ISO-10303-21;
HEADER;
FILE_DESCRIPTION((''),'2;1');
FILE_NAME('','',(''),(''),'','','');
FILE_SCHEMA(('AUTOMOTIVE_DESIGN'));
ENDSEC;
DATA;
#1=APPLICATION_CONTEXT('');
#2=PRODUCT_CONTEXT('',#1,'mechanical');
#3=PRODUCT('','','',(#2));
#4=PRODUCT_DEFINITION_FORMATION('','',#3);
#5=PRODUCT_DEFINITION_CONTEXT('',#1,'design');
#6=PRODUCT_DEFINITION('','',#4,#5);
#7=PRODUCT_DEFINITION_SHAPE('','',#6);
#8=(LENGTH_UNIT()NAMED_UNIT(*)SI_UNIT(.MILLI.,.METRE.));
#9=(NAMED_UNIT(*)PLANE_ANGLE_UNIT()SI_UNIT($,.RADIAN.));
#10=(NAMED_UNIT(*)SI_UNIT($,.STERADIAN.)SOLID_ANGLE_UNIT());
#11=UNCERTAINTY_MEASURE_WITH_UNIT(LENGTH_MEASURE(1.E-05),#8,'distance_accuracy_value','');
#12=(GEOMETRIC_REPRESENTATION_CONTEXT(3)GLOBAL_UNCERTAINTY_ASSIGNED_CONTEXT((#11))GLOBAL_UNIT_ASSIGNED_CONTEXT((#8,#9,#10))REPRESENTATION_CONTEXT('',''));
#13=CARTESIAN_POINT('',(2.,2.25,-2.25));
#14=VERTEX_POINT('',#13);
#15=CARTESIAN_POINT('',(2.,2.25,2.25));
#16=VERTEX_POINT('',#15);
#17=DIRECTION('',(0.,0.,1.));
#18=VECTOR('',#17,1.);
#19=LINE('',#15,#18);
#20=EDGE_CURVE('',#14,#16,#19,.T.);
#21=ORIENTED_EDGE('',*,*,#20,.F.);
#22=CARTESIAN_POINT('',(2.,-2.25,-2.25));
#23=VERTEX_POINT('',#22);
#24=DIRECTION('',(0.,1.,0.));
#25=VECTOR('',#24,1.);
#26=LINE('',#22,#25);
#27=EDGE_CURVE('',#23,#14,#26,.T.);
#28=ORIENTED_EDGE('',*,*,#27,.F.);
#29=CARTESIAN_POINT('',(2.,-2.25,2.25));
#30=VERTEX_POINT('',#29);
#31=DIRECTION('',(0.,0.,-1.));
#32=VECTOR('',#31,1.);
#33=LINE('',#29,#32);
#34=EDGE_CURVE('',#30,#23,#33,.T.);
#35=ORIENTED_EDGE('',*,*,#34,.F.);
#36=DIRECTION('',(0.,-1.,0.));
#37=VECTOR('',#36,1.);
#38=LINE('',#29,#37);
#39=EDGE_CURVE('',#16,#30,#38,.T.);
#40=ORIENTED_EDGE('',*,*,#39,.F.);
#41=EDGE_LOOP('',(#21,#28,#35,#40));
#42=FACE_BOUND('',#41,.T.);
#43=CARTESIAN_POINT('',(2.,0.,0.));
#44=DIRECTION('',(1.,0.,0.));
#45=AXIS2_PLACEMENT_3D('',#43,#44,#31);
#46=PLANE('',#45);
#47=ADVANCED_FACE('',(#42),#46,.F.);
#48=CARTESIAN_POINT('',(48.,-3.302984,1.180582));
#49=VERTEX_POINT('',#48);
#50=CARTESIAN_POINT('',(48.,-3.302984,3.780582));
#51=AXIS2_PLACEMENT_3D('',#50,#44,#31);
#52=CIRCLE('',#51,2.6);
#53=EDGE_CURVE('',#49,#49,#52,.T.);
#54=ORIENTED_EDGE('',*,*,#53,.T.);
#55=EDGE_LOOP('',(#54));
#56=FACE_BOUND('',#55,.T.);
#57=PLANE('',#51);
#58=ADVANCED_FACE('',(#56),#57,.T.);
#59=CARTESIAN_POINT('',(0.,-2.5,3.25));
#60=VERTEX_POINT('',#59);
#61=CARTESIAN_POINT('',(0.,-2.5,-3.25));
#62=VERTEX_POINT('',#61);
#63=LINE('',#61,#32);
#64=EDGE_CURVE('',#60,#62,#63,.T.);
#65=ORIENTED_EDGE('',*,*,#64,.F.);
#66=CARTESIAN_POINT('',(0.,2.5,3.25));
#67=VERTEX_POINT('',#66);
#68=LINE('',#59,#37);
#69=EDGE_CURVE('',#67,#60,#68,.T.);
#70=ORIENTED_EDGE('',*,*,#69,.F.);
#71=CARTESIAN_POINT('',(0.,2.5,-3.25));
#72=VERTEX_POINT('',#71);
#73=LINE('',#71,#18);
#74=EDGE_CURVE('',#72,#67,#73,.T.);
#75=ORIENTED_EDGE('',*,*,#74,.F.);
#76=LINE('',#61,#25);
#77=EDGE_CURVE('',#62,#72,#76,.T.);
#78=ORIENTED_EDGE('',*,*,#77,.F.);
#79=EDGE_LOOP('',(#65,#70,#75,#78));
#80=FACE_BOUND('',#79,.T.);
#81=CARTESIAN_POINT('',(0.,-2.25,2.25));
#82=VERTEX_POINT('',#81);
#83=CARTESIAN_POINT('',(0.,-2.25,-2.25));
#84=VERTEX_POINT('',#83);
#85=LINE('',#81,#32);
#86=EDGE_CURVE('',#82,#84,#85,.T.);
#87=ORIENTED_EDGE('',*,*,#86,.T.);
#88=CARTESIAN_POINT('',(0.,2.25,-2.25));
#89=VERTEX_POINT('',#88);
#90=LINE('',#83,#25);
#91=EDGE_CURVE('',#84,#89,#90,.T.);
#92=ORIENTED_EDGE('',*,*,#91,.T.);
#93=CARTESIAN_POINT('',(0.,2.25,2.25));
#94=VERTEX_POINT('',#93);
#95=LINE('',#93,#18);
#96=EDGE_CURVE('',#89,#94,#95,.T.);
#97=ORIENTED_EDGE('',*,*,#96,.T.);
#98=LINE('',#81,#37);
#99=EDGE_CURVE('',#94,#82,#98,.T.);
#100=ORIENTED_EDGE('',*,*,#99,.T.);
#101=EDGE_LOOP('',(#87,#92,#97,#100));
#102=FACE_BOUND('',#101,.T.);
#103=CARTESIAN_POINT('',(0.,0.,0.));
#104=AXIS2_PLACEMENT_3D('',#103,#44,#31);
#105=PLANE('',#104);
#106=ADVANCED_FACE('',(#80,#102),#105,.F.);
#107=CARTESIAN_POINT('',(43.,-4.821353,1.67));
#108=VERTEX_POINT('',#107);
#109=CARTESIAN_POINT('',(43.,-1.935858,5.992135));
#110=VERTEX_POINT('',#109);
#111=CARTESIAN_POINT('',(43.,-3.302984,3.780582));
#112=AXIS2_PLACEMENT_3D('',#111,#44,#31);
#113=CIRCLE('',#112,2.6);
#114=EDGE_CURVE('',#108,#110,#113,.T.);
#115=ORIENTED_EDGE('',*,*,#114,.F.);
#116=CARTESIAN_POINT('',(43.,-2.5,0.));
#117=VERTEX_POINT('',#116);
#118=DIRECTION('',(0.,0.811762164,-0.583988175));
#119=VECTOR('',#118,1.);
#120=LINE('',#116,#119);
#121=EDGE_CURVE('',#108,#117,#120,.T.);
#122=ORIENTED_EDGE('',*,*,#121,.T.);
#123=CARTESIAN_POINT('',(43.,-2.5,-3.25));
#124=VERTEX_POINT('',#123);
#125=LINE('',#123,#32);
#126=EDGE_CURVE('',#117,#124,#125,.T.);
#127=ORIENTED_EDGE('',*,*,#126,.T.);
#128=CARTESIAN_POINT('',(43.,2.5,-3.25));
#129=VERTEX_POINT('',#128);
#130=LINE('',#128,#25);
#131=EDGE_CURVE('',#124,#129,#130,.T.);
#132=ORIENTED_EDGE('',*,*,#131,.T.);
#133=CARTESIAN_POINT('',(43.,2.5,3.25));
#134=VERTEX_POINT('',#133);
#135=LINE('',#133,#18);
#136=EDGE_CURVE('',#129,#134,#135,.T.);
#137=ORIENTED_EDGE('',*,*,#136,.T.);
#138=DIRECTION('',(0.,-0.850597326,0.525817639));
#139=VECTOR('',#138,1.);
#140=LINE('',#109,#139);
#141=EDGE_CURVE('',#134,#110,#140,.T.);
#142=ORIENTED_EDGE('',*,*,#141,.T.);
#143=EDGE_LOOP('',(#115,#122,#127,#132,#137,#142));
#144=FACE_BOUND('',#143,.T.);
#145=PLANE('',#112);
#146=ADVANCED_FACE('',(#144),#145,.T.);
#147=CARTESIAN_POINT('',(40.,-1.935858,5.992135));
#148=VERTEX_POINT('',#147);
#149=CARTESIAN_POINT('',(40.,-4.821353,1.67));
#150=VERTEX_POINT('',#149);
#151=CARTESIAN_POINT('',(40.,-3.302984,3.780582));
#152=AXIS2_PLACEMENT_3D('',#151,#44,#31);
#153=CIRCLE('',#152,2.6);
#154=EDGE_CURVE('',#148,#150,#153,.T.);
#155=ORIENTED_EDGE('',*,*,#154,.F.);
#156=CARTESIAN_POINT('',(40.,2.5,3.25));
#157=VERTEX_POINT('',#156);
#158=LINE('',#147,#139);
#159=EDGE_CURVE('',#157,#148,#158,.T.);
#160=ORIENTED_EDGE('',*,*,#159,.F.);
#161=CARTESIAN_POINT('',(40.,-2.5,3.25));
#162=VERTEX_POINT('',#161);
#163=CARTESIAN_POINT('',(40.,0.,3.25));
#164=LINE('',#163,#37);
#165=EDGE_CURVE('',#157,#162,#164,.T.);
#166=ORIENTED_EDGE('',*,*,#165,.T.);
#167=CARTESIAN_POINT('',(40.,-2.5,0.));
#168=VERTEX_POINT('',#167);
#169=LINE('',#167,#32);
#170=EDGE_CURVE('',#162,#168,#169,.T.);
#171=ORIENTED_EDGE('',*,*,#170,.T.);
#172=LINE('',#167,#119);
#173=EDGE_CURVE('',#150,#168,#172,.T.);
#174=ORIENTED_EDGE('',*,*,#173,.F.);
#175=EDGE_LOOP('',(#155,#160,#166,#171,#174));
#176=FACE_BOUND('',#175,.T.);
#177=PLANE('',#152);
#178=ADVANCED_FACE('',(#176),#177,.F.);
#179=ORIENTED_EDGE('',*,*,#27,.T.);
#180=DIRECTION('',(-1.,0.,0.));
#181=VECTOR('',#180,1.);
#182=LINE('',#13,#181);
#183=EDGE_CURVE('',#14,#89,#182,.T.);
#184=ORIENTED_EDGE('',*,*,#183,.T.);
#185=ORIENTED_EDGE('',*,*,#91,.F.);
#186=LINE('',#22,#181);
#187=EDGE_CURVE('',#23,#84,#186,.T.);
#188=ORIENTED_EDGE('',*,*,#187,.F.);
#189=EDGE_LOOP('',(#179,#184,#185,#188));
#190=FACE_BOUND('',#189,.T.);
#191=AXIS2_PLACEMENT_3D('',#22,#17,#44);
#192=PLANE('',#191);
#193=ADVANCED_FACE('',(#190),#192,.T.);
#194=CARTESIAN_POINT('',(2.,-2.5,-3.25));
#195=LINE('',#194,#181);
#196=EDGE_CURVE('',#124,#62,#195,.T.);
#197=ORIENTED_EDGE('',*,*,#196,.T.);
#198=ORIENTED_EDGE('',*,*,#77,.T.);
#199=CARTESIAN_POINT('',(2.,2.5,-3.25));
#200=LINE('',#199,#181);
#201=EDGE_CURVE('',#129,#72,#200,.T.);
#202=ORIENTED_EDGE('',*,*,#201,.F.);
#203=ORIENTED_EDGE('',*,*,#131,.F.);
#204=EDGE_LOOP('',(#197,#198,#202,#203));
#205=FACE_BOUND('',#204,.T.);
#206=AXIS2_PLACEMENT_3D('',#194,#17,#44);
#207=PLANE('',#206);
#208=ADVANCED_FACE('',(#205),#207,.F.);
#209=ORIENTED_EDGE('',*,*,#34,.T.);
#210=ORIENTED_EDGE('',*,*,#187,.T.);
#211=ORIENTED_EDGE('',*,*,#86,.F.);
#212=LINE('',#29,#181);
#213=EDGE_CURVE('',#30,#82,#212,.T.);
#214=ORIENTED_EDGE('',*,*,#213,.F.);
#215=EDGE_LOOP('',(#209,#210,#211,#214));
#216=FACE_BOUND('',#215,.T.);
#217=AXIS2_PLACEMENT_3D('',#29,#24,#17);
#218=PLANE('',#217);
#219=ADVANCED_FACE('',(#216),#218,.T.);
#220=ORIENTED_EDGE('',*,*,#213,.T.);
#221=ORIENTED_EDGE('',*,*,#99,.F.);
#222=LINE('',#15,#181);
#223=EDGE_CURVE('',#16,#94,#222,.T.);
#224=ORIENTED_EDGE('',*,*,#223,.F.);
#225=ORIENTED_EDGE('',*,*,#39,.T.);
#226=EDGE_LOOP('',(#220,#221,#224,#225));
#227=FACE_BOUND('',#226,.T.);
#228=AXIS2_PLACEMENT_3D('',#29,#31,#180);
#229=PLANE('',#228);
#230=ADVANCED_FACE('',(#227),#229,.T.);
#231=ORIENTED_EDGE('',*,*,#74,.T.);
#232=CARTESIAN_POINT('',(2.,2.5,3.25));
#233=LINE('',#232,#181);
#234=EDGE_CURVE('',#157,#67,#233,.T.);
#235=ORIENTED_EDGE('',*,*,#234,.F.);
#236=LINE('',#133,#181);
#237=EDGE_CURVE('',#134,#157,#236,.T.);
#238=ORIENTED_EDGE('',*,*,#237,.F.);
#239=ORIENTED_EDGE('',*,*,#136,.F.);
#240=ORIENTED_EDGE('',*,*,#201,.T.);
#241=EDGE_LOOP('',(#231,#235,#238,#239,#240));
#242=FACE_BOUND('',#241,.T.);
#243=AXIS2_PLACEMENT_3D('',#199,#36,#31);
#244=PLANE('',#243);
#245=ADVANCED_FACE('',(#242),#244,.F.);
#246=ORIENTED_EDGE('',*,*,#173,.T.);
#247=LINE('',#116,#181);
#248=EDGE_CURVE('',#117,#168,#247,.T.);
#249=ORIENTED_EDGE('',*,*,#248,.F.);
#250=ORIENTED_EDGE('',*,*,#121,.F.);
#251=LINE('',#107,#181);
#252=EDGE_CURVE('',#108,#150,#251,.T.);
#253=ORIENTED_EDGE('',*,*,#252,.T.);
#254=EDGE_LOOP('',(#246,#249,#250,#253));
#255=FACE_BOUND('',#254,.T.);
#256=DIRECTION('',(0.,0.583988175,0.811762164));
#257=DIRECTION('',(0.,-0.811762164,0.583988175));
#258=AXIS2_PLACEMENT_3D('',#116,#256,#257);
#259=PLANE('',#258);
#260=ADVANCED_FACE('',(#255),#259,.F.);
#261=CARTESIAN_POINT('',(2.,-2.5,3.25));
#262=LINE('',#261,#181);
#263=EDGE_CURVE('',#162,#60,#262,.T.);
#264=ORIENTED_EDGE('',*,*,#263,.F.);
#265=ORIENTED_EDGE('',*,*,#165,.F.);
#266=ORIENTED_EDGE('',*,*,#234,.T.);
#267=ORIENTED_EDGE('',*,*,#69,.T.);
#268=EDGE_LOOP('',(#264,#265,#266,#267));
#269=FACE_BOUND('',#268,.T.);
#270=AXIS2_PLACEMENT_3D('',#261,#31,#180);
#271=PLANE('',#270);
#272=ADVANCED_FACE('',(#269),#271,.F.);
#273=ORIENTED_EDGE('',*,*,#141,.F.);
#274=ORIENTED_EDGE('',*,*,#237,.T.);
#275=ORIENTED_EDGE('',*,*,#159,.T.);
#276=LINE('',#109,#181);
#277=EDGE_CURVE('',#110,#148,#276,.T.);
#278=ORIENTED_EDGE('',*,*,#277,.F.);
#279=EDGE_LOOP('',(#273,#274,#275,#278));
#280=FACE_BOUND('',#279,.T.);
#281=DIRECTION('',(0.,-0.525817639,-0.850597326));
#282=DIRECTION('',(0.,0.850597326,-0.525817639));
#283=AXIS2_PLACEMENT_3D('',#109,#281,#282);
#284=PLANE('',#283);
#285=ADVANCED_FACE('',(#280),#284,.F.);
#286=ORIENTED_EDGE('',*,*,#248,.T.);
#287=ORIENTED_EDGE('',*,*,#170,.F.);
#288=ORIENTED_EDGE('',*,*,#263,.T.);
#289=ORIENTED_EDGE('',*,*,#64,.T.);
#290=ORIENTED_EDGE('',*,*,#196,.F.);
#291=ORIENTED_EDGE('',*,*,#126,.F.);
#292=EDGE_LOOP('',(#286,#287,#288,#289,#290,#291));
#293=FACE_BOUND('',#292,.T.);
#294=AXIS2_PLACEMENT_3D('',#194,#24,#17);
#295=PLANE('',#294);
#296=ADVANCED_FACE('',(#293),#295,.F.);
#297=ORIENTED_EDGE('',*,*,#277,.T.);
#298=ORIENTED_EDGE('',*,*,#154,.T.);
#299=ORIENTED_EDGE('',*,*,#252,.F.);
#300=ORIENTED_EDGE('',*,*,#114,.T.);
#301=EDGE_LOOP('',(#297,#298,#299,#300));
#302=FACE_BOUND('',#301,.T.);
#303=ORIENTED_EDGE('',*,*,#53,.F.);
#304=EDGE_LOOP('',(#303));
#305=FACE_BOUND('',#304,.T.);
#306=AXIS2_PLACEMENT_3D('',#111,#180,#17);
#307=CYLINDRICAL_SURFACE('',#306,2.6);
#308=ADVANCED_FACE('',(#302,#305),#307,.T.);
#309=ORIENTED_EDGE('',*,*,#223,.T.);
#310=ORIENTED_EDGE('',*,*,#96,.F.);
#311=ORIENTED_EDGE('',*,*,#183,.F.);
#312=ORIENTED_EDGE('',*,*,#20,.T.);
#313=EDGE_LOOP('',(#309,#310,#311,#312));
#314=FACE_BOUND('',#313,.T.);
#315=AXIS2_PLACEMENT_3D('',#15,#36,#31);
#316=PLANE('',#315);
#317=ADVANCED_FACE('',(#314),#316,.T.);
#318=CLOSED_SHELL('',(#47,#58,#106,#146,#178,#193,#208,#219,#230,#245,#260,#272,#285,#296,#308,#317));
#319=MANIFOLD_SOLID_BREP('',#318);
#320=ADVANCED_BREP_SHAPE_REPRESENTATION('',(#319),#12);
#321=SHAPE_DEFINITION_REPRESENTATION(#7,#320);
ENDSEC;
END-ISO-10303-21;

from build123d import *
from build123d.topology import SkipClean

# Parameters (mm, degrees)
SKETCH2_W           = 6.5
SKETCH2_H           = 5
SKETCH2_W_2         = 4.5
SKETCH2_H_2         = 4.5
BOSS_EXTRUDE1_DEPTH = 2
BOSS_EXTRUDE2_START = 2
SKETCH2_2_W         = 6.5
SKETCH2_2_H         = 5
SKETCH2_2_W_2       = 4.5
SKETCH2_2_H_2       = 4.5
BOSS_EXTRUDE2_DEPTH = 38
BOSS_EXTRUDE3_DEPTH = 3
SKETCH6_R           = 2.6
BOSS_EXTRUDE4_DEPTH = 5


with BuildPart() as part:
    # Sketch2 → Boss-Extrude1 (new body)
    with BuildSketch(Plane(origin=(0, 0, 0), x_dir=(0, 0, -1), z_dir=(1, 0, 0))):
        Rectangle(SKETCH2_W, SKETCH2_H)
        Rectangle(SKETCH2_W_2, SKETCH2_H_2, mode=Mode.SUBTRACT)
    extrude(amount=BOSS_EXTRUDE1_DEPTH)

    # Sketch2<2> → Boss-Extrude2 (add)
    with BuildSketch(Plane(origin=(0, 0, 0), x_dir=(0, 0, -1), z_dir=(1, 0, 0)).offset(BOSS_EXTRUDE2_START)):
        Rectangle(SKETCH2_2_W, SKETCH2_2_H)
        Rectangle(SKETCH2_2_W_2, SKETCH2_2_H_2, mode=Mode.SUBTRACT)
        Rectangle(SKETCH2_2_W_2, SKETCH2_2_H_2)
    extrude(amount=BOSS_EXTRUDE2_DEPTH)

    # Sketch5 → Boss-Extrude3 (add)
    with BuildSketch(Plane(origin=(40, 0, 0), x_dir=(0, 0, -1), z_dir=(1, 0, 0))):
        with BuildLine():
            Line((-5.992134655, -1.935858048), (-3.25, 2.5))
            Line((-3.25, 2.5), (3.25, 2.5))
            Line((3.25, 2.5), (3.25, -2.5))
            Line((3.25, -2.5), (0, -2.5))
            Line((0, -2.5), (-1.669999982, -4.821353165))
            ThreePointArc((-1.669999982, -4.821353165), (-5.224212214, -5.465373947), (-5.992134655, -1.935858048))
        make_face()
    extrude(amount=BOSS_EXTRUDE3_DEPTH)

    # Sketch6 → Boss-Extrude4 (add)
    with SkipClean():  # the faces are left unmerged after this step: merging them gives an invalid solid
        with BuildSketch(Plane(origin=(43, 0, 0), x_dir=(0, 0, -1), z_dir=(1, 0, 0))):
            with Locations(Location((-3.780581608, -3.302983909, 0), (0, 0, 148.276697379))):
                Circle(SKETCH6_R)
        extrude(amount=BOSS_EXTRUDE4_DEPTH)


solid = part.part
